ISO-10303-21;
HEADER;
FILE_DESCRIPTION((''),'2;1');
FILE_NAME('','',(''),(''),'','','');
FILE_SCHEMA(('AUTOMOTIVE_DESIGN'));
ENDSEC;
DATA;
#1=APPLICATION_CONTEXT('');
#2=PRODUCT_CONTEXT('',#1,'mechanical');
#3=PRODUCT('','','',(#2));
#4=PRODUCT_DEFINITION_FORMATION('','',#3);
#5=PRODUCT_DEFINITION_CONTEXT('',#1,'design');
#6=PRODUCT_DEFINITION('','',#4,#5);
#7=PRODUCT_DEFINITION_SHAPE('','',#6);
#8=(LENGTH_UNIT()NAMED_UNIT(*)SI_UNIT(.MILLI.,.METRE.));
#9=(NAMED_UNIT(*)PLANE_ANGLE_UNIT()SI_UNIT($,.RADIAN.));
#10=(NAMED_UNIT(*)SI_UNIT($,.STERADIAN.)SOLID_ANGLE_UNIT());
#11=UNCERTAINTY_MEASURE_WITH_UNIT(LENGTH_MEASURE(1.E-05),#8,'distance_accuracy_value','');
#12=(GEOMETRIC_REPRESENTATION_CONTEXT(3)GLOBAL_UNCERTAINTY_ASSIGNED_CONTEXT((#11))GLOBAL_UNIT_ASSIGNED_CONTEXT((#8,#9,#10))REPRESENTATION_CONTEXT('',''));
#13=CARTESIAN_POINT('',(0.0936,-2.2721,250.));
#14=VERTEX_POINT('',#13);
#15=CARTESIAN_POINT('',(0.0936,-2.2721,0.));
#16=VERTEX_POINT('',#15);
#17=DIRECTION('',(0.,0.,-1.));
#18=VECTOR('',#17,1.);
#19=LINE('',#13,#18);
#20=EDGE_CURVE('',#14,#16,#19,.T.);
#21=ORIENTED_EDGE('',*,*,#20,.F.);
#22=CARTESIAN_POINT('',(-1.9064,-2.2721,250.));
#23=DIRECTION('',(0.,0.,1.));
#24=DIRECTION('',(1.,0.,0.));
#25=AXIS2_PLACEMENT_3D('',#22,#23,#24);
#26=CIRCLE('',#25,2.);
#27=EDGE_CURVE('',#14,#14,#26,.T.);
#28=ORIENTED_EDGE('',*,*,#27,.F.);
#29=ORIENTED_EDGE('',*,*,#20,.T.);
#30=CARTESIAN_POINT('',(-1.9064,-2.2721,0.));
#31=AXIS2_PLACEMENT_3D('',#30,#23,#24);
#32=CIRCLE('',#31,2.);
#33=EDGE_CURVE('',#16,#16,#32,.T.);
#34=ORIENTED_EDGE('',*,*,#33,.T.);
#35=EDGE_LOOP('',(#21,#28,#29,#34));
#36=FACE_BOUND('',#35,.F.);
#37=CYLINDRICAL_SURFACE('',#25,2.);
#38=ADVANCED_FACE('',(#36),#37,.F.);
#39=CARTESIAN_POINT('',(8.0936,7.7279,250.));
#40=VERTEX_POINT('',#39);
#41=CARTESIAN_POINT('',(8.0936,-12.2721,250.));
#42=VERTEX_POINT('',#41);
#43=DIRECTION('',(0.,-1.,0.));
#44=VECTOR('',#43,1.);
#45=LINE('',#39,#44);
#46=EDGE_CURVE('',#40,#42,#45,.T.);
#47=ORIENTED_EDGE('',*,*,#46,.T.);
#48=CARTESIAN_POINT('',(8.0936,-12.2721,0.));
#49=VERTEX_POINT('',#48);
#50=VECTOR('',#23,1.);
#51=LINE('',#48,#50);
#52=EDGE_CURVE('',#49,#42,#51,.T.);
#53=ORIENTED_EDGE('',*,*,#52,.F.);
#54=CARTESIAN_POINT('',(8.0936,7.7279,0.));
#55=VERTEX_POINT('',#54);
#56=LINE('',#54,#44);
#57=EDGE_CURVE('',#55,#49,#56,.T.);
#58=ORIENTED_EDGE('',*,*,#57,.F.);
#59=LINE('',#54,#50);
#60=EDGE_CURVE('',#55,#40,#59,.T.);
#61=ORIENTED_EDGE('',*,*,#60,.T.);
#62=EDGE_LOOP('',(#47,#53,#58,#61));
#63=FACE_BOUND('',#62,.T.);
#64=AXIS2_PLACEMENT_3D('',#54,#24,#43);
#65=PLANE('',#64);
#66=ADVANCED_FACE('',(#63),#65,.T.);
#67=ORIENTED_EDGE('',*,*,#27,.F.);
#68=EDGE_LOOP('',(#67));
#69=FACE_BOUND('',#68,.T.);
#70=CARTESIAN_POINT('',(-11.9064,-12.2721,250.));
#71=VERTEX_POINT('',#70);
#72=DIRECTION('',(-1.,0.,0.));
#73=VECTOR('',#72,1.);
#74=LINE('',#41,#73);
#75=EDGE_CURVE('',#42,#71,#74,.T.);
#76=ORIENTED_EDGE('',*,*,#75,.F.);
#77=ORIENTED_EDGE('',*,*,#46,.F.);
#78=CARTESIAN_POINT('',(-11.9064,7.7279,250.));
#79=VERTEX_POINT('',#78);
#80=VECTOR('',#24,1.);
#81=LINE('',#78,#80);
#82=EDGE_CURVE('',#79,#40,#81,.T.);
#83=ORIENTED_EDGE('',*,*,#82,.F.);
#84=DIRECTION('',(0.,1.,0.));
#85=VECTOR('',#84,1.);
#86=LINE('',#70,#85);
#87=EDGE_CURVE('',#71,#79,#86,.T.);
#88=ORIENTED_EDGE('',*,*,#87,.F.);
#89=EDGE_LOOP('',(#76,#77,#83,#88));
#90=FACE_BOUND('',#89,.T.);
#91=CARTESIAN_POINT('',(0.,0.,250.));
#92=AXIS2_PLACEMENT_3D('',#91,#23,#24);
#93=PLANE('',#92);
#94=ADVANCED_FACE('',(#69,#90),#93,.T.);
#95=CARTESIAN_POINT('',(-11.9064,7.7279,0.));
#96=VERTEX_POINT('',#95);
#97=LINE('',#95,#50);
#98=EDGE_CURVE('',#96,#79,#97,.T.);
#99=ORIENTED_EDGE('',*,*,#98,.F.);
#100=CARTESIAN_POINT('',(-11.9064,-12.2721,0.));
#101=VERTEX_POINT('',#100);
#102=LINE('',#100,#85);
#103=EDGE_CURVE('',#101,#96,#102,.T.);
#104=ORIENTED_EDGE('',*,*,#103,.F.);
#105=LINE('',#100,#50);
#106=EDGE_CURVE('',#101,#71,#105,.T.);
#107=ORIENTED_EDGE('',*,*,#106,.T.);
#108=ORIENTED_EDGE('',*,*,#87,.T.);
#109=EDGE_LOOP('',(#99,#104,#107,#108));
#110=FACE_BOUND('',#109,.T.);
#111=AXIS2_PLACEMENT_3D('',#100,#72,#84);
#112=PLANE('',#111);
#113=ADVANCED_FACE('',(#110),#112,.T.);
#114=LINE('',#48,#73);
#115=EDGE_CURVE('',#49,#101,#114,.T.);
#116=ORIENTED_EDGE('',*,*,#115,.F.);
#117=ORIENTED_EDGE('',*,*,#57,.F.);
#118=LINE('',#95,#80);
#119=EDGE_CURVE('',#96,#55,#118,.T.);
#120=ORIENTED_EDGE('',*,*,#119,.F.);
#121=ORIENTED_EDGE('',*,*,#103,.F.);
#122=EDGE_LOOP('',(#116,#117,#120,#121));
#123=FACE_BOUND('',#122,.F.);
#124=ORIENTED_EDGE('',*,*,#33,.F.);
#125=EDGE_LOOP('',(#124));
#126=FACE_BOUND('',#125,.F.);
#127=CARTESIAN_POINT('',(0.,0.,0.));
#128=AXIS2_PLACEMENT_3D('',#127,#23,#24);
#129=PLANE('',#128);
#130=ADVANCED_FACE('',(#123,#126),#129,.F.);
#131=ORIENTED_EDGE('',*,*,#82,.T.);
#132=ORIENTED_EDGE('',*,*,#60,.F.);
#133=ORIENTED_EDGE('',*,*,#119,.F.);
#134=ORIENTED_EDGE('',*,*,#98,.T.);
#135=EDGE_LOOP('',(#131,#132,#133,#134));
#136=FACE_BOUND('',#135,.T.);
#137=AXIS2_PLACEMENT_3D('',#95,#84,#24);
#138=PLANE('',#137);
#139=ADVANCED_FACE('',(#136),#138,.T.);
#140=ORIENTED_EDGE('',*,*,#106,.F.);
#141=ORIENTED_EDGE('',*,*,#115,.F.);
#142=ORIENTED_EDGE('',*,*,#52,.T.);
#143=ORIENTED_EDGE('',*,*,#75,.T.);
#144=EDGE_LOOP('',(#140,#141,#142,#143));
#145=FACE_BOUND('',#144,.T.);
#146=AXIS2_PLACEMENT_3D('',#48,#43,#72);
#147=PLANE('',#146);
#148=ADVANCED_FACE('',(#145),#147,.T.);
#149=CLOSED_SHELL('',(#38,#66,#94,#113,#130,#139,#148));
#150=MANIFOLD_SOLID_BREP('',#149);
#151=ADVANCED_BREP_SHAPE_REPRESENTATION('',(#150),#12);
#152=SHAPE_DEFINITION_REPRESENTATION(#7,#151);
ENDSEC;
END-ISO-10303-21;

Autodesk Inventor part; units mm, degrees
ref_plane "YZ Plane" through (0, 0, 0) normal (1, 0, 0) x (0, 1, 0)
ref_plane "XZ Plane" through (0, 0, 0) normal (0, 1, 0) x (-1, 0, 0)
ref_plane "XY Plane" through (0, 0, 0) normal (0, 0, 1) x (1, 0, 0)
sketch "Sketch1" plane through (0, 0, 0) normal (0, 0, 1) x (1, 0, 0)
  line L0 (-11.9064, 7.7279) -> (8.0936, 7.7279)
  line L1 (8.0936, 7.7279) -> (8.0936, -12.2721)
  line L2 (8.0936, -12.2721) -> (-11.9064, -12.2721)
  line L3 (-11.9064, -12.2721) -> (-11.9064, 7.7279)
  point P0 (0, 0)
  dimension "d0" = 20
  dimension "d1" = 20
extrude "Extrusion1" add sketch "Sketch1" along normal blind 250
sketch "Sketch2" plane through (0, 0, 250) normal (0, 0, 1) x (1, 0, 0)
  circle A0 centre (-1.9064, -2.2721) radius 2
  line L0 (-11.9064, -12.2721) -> (8.0936, -12.2721) projected
  line L1 (8.0936, -12.2721) -> (8.0936, 7.7279) projected
  point P0 (0, 0)
  dimension "d4" = 4
  dimension "d5" = 10
  dimension "d6" = 10
extrude "Extrusion2" cut sketch "Sketch2" against normal blind 250
properties part number "2020x260mm" material "ABS Plastic"
